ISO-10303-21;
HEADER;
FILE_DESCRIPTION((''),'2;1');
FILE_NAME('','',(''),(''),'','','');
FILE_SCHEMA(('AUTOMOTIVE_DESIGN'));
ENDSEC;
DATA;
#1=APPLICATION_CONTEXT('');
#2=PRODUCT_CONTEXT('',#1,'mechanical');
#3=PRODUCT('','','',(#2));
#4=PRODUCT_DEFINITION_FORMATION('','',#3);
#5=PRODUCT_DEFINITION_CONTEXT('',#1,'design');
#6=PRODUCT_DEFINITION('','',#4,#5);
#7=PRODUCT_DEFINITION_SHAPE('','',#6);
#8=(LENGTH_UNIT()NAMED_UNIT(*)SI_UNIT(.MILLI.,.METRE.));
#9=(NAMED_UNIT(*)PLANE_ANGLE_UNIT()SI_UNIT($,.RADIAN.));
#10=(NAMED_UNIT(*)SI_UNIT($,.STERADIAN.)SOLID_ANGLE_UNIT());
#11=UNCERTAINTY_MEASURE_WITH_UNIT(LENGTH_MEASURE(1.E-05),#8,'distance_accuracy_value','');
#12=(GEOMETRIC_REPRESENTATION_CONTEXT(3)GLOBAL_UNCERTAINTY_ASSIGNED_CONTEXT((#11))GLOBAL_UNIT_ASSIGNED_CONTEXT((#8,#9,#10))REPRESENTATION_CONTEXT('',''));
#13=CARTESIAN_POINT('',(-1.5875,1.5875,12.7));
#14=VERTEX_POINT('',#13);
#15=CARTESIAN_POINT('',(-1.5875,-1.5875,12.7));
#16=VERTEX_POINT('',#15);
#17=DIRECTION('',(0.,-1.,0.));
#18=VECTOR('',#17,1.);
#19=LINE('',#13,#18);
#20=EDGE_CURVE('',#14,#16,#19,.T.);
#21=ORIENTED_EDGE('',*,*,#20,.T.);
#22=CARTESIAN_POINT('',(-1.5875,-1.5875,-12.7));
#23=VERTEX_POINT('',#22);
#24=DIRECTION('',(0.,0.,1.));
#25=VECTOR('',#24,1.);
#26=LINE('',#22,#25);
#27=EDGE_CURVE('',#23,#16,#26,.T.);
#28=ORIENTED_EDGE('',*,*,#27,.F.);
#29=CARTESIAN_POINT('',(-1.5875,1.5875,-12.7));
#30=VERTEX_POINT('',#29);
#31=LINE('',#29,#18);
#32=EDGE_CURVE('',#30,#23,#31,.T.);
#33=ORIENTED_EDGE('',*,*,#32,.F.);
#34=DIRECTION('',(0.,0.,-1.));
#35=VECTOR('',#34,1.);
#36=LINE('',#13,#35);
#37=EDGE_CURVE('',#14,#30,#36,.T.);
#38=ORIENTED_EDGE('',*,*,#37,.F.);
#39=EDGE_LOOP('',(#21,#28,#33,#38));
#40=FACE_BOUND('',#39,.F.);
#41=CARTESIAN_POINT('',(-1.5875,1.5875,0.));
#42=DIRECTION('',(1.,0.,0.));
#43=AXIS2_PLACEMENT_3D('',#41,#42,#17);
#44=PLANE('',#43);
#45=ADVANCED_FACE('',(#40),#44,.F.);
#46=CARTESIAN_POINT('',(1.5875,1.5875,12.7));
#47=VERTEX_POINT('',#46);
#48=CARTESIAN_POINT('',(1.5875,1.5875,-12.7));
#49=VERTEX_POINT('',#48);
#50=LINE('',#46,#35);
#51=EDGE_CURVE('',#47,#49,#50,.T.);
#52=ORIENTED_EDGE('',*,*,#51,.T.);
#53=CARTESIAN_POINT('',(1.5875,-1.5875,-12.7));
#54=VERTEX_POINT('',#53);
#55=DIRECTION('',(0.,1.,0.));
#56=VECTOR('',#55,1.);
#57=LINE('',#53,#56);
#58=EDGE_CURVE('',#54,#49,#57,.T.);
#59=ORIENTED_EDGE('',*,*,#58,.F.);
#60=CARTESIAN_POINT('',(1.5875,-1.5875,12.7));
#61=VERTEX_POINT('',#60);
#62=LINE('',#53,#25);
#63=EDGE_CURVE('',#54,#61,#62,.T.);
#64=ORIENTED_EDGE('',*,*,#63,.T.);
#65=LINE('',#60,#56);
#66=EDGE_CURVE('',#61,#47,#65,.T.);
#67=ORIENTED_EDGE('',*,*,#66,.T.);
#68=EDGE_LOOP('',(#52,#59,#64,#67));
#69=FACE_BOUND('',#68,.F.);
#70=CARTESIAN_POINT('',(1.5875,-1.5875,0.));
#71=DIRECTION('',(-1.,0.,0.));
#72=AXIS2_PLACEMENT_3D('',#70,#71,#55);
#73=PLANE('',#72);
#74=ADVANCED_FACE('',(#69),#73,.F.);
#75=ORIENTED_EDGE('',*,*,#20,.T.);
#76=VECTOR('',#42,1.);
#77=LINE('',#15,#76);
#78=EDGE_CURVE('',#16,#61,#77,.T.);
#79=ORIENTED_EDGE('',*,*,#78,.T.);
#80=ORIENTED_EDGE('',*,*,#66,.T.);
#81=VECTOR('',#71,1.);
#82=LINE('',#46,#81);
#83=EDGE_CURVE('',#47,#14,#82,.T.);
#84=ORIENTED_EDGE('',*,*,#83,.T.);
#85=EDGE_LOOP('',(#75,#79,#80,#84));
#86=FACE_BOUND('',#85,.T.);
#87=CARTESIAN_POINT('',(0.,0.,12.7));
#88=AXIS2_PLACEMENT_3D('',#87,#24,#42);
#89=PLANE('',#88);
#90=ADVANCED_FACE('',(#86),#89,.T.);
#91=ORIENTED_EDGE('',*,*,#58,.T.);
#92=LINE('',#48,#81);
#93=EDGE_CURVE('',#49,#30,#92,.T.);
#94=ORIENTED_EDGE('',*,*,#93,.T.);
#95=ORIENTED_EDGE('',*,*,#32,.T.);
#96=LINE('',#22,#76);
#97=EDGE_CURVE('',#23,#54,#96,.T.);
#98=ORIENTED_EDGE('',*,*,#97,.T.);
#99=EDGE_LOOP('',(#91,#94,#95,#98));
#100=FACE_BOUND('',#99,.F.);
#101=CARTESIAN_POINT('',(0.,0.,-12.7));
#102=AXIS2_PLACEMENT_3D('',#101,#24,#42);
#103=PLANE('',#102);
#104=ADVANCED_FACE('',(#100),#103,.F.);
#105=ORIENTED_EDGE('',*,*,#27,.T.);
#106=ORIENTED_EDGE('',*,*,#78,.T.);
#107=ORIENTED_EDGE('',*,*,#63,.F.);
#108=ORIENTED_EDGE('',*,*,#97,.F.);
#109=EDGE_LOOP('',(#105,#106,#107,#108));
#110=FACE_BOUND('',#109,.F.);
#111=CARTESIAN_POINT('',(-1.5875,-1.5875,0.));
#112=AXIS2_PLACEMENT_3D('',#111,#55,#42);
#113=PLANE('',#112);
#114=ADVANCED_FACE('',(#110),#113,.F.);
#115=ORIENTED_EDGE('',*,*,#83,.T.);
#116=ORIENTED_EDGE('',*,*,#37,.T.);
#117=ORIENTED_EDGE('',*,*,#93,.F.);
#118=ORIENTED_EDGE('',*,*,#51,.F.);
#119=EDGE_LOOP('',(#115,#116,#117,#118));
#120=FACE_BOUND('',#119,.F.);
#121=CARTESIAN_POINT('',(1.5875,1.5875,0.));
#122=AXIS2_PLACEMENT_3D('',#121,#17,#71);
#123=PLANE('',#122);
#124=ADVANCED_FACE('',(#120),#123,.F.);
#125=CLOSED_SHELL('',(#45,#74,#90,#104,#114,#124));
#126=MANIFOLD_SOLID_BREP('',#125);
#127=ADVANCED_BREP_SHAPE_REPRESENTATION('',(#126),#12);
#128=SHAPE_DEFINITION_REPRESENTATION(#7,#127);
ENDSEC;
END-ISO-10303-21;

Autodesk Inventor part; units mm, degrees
ref_plane "YZ Plane" through (0, 0, 0) normal (1, 0, 0) x (0, 1, 0)
ref_plane "XZ Plane" through (0, 0, 0) normal (0, 1, 0) x (-1, 0, 0)
ref_plane "XY Plane" through (0, 0, 0) normal (0, 0, 1) x (1, 0, 0)
sketch "Sketch1" plane through (0, 0, 0) normal (0, 0, 1) x (1, 0, 0)
  line L0 (-1.5875, -1.5875) -> (1.5875, -1.5875)
  line L1 (1.5875, -1.5875) -> (1.5875, 1.5875)
  line L2 (1.5875, 1.5875) -> (-1.5875, 1.5875)
  line L3 (-1.5875, 1.5875) -> (-1.5875, -1.5875)
  line L4 (-1.5875, -1.5875) -> (1.5875, 1.5875) construction
  line L5 (1.5875, -1.5875) -> (-1.5875, 1.5875) construction
  point P0 (0, 0)
  dimension "d0" = 3.175
  dimension "d1" = 3.175
extrude "Extrusion1" add sketch "Sketch1" along normal mid plane 25.4
properties part number ".125in. X .125in. Key, 1in. Long" material "Steel"
